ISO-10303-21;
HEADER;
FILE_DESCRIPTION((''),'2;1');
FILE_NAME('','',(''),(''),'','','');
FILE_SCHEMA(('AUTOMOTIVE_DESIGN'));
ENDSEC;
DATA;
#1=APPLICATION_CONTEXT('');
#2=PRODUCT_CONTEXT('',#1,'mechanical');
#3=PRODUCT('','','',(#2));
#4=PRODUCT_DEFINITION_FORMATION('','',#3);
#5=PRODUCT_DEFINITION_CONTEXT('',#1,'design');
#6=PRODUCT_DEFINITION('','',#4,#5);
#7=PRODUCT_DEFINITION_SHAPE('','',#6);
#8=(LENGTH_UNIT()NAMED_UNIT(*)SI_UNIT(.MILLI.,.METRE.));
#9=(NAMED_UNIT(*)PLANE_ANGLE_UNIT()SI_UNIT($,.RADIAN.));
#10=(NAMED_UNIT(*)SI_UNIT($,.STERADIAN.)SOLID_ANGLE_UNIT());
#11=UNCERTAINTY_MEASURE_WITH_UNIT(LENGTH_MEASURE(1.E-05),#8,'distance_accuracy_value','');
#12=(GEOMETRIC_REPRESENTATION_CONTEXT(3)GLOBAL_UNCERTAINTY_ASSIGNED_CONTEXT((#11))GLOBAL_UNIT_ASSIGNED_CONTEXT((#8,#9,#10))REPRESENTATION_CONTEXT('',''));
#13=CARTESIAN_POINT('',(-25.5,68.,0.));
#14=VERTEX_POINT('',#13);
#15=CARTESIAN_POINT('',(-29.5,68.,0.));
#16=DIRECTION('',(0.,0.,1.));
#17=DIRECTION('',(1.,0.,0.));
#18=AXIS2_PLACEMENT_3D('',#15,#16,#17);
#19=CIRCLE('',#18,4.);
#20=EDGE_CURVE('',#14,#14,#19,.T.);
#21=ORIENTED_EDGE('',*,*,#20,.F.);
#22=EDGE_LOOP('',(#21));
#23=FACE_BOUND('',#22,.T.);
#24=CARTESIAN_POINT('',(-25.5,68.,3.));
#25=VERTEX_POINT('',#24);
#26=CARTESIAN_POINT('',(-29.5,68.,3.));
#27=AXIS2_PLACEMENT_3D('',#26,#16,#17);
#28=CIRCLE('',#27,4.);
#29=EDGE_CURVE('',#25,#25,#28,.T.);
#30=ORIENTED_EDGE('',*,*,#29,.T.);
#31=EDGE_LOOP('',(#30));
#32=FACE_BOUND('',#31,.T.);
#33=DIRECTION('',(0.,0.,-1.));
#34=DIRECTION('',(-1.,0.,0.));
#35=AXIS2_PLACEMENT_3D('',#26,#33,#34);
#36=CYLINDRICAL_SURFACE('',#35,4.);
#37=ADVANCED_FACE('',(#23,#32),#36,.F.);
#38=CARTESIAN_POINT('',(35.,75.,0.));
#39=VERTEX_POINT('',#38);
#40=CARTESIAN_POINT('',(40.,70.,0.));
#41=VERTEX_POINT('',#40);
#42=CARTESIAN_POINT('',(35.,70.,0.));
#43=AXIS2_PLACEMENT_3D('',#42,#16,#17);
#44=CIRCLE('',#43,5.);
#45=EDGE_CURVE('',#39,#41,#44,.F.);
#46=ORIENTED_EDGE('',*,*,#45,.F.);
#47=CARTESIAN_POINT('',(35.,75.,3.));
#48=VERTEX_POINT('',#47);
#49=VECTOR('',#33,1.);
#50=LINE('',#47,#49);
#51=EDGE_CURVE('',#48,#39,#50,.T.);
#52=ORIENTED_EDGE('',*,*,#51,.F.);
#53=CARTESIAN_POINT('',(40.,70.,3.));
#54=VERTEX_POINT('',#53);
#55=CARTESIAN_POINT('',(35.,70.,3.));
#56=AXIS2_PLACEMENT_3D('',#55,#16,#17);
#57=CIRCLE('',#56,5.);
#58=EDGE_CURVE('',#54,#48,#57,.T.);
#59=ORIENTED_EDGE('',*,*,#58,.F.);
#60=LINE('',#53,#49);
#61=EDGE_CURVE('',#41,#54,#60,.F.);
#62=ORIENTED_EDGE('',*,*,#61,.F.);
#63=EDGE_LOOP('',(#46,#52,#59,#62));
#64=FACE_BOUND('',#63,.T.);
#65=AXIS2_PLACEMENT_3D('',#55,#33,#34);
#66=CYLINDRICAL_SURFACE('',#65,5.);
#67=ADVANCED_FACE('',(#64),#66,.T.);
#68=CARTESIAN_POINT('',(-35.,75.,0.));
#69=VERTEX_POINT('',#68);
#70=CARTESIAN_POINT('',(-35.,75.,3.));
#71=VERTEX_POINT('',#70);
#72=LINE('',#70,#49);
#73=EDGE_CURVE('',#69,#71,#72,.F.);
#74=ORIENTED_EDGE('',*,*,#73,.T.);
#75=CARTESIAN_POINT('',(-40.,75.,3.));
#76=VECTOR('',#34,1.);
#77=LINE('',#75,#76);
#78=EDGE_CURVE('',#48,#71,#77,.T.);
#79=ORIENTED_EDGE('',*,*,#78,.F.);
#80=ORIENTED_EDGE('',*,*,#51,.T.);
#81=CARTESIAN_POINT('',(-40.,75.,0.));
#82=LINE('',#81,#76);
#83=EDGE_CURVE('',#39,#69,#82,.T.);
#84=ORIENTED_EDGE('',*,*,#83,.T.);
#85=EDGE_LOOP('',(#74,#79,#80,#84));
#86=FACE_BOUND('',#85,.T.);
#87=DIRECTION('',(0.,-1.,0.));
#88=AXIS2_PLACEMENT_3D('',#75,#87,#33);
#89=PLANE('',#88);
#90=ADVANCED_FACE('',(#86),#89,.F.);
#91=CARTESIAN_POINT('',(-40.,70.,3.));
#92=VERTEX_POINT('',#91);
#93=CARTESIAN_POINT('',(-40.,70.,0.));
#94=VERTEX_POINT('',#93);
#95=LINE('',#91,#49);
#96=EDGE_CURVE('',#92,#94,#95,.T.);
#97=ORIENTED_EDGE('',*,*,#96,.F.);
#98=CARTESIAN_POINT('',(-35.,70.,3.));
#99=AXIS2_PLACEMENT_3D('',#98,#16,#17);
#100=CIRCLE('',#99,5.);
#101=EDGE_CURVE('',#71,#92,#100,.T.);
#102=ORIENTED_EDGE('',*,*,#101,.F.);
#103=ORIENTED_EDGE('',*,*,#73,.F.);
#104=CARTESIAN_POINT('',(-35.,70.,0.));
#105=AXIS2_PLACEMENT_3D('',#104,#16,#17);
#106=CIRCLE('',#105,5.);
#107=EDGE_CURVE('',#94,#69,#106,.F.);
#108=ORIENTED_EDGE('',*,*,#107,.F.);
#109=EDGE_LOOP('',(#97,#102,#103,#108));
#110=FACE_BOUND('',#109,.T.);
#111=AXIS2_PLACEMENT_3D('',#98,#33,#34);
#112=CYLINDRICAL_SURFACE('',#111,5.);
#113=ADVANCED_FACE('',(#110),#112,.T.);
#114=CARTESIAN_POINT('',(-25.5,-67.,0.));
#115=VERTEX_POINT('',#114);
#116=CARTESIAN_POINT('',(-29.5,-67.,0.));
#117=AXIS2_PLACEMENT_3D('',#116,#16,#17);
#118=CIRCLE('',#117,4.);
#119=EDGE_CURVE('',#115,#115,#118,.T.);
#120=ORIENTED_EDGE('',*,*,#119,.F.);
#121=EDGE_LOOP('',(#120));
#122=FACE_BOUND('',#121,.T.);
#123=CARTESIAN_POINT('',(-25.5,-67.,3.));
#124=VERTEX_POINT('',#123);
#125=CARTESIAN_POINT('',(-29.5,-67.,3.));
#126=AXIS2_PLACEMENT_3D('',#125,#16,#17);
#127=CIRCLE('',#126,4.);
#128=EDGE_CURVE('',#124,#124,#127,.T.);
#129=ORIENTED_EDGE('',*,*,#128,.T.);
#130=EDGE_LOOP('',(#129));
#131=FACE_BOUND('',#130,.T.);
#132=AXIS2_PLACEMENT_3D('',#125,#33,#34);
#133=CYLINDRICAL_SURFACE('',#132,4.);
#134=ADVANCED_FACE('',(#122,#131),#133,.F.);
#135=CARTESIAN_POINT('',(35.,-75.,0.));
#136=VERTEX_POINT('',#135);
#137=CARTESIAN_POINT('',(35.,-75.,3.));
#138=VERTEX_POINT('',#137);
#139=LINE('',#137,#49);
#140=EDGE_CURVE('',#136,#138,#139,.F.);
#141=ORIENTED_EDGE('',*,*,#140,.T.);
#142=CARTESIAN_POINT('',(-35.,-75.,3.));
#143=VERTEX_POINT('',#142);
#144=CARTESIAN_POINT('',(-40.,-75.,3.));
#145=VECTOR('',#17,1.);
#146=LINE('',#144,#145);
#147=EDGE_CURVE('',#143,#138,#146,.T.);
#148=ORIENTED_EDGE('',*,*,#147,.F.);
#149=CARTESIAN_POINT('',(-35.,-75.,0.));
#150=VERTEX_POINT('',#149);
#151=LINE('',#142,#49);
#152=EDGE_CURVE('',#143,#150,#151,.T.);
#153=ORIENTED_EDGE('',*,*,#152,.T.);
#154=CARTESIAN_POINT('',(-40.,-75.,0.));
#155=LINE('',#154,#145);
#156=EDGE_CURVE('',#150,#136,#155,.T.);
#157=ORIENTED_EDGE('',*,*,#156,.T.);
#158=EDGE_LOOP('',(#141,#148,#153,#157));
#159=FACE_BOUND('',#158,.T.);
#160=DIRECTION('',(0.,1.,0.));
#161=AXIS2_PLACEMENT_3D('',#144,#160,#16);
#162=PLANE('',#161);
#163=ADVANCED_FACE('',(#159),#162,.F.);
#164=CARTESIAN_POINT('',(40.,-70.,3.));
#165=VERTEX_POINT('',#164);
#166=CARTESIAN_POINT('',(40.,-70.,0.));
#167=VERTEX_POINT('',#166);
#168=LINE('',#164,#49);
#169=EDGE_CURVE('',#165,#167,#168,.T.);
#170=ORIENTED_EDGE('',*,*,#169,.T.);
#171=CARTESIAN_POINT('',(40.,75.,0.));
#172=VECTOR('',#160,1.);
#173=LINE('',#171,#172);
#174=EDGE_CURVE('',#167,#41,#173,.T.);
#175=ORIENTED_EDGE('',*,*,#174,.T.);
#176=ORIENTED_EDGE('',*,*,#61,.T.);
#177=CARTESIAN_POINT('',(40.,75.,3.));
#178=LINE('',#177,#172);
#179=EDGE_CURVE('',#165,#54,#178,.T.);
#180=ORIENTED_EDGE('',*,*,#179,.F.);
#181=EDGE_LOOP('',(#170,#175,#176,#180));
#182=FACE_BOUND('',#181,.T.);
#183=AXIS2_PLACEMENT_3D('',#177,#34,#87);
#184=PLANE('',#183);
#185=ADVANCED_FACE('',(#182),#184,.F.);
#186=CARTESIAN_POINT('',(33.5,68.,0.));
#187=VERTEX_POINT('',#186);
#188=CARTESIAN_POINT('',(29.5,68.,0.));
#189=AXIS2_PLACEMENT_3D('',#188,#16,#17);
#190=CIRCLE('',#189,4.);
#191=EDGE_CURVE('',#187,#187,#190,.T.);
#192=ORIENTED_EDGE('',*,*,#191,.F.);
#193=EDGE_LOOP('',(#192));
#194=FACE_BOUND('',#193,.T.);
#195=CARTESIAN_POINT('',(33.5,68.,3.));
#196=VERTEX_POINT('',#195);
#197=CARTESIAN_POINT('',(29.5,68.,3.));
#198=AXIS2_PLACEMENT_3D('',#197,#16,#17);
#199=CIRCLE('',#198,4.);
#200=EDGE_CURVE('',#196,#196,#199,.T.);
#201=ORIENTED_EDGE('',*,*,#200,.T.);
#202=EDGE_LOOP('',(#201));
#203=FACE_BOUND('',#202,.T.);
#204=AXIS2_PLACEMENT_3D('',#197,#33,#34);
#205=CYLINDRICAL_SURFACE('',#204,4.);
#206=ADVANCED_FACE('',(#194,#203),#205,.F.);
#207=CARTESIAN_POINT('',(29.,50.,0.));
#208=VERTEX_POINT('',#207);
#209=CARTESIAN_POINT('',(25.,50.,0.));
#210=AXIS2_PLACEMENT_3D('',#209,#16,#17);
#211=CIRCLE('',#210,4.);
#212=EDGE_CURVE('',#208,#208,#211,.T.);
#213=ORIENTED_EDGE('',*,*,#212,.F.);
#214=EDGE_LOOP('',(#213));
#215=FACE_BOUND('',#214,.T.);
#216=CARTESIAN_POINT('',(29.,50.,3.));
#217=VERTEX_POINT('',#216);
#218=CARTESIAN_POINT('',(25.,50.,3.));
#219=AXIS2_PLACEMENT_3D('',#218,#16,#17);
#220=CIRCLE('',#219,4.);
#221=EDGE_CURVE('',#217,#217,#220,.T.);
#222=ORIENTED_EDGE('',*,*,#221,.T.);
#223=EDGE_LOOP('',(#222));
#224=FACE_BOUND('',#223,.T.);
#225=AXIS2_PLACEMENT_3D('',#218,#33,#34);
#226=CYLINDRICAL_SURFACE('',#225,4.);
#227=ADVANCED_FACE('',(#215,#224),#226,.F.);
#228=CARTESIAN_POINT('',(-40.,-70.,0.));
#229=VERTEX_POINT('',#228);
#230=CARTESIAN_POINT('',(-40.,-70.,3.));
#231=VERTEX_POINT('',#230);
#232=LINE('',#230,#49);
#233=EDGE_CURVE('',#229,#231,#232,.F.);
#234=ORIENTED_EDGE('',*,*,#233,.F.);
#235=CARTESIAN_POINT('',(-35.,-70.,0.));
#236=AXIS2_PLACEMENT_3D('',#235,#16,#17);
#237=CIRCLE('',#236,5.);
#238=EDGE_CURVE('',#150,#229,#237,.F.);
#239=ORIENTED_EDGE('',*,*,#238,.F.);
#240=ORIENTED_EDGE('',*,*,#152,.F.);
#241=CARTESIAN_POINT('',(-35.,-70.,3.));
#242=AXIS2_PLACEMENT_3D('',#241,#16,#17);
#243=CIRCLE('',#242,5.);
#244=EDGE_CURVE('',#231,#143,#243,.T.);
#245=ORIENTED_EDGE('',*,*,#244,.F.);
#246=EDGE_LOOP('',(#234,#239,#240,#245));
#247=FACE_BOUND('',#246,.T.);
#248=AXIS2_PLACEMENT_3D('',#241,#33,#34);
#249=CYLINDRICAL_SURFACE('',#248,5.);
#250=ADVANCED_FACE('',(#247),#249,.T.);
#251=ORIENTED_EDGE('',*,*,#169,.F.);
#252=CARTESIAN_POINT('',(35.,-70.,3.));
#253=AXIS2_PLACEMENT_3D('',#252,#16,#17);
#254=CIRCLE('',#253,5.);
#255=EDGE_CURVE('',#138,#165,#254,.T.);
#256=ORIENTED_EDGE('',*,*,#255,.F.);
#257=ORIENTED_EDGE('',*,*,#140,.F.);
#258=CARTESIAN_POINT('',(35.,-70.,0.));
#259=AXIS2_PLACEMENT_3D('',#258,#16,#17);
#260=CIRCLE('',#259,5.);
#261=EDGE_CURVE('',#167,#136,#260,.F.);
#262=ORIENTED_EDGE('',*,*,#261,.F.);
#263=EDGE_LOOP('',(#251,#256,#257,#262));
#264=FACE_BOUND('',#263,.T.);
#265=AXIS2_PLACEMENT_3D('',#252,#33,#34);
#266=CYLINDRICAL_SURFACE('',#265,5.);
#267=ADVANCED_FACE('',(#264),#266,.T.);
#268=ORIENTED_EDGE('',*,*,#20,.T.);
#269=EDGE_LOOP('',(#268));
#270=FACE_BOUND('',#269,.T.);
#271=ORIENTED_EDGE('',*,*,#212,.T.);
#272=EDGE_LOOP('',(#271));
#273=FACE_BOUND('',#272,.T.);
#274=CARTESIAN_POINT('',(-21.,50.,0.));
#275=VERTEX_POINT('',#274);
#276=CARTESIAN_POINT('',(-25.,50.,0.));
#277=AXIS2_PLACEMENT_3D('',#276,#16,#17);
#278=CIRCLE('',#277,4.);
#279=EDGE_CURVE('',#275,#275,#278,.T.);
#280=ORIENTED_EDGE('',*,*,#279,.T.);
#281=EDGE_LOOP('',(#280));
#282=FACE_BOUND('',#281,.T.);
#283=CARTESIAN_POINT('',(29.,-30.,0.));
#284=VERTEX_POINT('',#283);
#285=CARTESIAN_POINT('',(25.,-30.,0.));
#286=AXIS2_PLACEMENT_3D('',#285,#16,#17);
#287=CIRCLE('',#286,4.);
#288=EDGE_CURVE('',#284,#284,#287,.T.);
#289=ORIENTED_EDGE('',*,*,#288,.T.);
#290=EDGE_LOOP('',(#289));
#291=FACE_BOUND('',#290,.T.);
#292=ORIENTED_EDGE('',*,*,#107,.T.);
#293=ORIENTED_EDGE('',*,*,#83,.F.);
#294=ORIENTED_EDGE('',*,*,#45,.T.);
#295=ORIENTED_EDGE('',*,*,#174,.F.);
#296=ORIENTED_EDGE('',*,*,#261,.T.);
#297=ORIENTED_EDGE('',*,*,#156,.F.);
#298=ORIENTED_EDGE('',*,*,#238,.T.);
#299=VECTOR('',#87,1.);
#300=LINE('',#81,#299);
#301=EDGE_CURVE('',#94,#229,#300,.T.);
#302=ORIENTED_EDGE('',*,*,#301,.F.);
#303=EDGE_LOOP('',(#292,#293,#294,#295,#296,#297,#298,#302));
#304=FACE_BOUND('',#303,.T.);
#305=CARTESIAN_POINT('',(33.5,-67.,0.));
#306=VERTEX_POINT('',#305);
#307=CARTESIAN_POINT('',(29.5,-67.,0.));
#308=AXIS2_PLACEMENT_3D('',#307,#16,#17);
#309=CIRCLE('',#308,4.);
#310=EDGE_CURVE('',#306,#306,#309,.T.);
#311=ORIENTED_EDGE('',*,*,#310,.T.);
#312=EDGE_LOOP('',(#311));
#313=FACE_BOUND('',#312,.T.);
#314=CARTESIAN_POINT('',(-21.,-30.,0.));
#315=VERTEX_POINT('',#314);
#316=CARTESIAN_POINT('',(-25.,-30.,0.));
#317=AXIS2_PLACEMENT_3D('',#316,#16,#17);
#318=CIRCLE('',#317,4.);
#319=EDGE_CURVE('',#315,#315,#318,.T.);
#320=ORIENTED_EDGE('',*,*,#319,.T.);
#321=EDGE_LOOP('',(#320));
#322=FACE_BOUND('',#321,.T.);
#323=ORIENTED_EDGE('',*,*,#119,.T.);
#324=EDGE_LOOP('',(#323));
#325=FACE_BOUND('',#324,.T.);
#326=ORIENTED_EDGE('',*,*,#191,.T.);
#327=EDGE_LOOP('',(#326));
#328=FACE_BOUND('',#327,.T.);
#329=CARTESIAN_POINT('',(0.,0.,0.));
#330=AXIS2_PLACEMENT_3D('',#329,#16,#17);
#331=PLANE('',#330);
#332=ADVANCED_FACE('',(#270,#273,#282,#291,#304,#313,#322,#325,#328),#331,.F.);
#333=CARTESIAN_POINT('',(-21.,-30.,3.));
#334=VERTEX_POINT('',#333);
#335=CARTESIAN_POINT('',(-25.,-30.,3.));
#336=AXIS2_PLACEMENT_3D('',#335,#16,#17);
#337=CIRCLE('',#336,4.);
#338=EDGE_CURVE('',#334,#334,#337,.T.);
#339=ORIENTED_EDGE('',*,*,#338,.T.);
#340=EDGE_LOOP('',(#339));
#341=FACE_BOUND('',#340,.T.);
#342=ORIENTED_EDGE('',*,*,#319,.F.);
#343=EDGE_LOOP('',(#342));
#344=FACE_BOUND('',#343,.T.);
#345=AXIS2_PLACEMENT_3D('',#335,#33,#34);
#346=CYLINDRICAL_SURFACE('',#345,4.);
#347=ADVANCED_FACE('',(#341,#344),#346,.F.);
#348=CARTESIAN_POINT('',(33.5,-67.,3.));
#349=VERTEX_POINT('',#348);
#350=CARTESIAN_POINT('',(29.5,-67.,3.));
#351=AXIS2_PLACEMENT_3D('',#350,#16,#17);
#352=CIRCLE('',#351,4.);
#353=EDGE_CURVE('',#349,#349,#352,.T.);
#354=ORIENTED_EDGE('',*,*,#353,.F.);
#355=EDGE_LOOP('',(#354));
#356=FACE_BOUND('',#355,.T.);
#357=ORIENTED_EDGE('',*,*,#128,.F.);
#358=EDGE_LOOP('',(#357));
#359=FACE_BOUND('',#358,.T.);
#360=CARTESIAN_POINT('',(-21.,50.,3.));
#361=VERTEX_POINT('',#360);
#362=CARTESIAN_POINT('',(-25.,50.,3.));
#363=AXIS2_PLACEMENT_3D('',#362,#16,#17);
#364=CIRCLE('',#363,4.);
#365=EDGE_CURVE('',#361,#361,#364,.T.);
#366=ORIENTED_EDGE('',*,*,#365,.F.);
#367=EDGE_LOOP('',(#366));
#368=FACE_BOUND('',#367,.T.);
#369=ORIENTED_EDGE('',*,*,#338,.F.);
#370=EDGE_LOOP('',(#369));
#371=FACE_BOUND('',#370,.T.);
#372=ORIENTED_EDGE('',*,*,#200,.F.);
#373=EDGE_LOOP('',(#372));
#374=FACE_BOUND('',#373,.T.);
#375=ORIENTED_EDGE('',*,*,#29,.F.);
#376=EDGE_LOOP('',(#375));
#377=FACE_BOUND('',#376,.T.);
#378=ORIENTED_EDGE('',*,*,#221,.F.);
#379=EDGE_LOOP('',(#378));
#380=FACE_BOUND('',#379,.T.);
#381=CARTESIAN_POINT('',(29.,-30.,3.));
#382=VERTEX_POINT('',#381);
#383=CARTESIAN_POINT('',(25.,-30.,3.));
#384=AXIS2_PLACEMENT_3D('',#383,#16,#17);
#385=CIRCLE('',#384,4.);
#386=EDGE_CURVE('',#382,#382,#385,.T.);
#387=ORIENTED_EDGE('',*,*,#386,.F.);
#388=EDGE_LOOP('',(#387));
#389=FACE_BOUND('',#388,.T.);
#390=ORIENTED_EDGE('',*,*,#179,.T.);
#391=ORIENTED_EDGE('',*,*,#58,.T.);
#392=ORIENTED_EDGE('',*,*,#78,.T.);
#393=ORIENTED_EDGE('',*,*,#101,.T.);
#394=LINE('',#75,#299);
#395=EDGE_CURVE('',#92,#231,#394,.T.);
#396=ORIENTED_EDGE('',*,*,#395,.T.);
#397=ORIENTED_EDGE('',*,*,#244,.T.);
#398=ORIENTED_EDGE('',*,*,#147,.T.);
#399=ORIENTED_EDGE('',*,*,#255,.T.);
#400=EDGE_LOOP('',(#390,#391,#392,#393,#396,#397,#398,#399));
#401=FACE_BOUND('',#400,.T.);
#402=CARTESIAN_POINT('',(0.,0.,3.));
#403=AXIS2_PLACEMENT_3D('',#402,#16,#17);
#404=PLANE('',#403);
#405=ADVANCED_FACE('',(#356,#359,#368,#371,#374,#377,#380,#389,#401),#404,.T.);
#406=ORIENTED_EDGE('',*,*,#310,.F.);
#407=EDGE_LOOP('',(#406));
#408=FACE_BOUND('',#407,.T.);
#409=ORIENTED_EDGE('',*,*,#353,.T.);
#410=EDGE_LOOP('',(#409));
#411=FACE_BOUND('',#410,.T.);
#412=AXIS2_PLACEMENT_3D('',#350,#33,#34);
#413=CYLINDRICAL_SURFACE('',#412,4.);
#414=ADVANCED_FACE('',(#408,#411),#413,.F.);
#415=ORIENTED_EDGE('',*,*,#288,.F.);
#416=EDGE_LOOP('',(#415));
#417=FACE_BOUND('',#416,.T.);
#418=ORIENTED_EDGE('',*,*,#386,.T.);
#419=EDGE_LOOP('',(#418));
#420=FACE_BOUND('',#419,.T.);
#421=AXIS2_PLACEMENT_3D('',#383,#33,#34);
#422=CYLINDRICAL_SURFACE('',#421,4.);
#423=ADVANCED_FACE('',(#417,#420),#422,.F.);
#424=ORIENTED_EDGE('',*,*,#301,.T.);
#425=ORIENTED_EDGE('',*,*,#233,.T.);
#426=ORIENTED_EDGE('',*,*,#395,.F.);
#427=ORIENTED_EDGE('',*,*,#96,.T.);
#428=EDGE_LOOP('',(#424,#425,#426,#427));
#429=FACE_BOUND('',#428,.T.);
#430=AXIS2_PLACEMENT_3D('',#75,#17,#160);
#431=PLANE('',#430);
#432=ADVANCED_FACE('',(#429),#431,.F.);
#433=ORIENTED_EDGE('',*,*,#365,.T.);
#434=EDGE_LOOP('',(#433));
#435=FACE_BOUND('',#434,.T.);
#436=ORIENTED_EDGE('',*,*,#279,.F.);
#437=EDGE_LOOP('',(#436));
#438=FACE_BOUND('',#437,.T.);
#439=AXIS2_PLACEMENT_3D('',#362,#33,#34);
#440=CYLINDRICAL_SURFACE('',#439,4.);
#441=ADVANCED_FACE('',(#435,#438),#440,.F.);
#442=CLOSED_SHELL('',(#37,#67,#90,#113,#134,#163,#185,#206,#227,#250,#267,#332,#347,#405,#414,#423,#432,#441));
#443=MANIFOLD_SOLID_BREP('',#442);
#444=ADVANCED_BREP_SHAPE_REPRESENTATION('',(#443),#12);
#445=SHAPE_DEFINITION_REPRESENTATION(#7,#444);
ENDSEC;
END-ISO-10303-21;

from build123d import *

# Parameters (mm, degrees)
SKETCH1_W           = 80
SKETCH1_H           = 150
SKETCH1_R           = 4
BOSS_EXTRUDE1_DEPTH = 3
FILLET3_R           = 5


with BuildPart() as part:
    # Sketch1 → Boss-Extrude1 (new body)
    with BuildSketch(Plane.XY):
        Rectangle(SKETCH1_W, SKETCH1_H)
        with Locations((-29.5, 68)):
            Circle(SKETCH1_R, mode=Mode.SUBTRACT)
        with Locations((29.5, 68)):
            Circle(SKETCH1_R, mode=Mode.SUBTRACT)
        with Locations((29.5, -67)):
            Circle(SKETCH1_R, mode=Mode.SUBTRACT)
        with Locations((-29.5, -67)):
            Circle(SKETCH1_R, mode=Mode.SUBTRACT)
        with Locations((-25, 50)):
            Circle(SKETCH1_R, mode=Mode.SUBTRACT)
        with Locations((25, 50)):
            Circle(SKETCH1_R, mode=Mode.SUBTRACT)
        with Locations((25, -30)):
            Circle(SKETCH1_R, mode=Mode.SUBTRACT)
        with Locations((-25, -30)):
            Circle(SKETCH1_R, mode=Mode.SUBTRACT)
    extrude(amount=BOSS_EXTRUDE1_DEPTH)

    # Fillet3
    fillet3_edges = [part.edges().sort_by_distance(p)[0] for p in [
        (40, -75, 1.5),
        (-40, -75, 1.5),
        (-40, 75, 1.5),
        (40, 75, 1.5),
    ]]
    fillet(fillet3_edges, radius=FILLET3_R)


solid = part.part
